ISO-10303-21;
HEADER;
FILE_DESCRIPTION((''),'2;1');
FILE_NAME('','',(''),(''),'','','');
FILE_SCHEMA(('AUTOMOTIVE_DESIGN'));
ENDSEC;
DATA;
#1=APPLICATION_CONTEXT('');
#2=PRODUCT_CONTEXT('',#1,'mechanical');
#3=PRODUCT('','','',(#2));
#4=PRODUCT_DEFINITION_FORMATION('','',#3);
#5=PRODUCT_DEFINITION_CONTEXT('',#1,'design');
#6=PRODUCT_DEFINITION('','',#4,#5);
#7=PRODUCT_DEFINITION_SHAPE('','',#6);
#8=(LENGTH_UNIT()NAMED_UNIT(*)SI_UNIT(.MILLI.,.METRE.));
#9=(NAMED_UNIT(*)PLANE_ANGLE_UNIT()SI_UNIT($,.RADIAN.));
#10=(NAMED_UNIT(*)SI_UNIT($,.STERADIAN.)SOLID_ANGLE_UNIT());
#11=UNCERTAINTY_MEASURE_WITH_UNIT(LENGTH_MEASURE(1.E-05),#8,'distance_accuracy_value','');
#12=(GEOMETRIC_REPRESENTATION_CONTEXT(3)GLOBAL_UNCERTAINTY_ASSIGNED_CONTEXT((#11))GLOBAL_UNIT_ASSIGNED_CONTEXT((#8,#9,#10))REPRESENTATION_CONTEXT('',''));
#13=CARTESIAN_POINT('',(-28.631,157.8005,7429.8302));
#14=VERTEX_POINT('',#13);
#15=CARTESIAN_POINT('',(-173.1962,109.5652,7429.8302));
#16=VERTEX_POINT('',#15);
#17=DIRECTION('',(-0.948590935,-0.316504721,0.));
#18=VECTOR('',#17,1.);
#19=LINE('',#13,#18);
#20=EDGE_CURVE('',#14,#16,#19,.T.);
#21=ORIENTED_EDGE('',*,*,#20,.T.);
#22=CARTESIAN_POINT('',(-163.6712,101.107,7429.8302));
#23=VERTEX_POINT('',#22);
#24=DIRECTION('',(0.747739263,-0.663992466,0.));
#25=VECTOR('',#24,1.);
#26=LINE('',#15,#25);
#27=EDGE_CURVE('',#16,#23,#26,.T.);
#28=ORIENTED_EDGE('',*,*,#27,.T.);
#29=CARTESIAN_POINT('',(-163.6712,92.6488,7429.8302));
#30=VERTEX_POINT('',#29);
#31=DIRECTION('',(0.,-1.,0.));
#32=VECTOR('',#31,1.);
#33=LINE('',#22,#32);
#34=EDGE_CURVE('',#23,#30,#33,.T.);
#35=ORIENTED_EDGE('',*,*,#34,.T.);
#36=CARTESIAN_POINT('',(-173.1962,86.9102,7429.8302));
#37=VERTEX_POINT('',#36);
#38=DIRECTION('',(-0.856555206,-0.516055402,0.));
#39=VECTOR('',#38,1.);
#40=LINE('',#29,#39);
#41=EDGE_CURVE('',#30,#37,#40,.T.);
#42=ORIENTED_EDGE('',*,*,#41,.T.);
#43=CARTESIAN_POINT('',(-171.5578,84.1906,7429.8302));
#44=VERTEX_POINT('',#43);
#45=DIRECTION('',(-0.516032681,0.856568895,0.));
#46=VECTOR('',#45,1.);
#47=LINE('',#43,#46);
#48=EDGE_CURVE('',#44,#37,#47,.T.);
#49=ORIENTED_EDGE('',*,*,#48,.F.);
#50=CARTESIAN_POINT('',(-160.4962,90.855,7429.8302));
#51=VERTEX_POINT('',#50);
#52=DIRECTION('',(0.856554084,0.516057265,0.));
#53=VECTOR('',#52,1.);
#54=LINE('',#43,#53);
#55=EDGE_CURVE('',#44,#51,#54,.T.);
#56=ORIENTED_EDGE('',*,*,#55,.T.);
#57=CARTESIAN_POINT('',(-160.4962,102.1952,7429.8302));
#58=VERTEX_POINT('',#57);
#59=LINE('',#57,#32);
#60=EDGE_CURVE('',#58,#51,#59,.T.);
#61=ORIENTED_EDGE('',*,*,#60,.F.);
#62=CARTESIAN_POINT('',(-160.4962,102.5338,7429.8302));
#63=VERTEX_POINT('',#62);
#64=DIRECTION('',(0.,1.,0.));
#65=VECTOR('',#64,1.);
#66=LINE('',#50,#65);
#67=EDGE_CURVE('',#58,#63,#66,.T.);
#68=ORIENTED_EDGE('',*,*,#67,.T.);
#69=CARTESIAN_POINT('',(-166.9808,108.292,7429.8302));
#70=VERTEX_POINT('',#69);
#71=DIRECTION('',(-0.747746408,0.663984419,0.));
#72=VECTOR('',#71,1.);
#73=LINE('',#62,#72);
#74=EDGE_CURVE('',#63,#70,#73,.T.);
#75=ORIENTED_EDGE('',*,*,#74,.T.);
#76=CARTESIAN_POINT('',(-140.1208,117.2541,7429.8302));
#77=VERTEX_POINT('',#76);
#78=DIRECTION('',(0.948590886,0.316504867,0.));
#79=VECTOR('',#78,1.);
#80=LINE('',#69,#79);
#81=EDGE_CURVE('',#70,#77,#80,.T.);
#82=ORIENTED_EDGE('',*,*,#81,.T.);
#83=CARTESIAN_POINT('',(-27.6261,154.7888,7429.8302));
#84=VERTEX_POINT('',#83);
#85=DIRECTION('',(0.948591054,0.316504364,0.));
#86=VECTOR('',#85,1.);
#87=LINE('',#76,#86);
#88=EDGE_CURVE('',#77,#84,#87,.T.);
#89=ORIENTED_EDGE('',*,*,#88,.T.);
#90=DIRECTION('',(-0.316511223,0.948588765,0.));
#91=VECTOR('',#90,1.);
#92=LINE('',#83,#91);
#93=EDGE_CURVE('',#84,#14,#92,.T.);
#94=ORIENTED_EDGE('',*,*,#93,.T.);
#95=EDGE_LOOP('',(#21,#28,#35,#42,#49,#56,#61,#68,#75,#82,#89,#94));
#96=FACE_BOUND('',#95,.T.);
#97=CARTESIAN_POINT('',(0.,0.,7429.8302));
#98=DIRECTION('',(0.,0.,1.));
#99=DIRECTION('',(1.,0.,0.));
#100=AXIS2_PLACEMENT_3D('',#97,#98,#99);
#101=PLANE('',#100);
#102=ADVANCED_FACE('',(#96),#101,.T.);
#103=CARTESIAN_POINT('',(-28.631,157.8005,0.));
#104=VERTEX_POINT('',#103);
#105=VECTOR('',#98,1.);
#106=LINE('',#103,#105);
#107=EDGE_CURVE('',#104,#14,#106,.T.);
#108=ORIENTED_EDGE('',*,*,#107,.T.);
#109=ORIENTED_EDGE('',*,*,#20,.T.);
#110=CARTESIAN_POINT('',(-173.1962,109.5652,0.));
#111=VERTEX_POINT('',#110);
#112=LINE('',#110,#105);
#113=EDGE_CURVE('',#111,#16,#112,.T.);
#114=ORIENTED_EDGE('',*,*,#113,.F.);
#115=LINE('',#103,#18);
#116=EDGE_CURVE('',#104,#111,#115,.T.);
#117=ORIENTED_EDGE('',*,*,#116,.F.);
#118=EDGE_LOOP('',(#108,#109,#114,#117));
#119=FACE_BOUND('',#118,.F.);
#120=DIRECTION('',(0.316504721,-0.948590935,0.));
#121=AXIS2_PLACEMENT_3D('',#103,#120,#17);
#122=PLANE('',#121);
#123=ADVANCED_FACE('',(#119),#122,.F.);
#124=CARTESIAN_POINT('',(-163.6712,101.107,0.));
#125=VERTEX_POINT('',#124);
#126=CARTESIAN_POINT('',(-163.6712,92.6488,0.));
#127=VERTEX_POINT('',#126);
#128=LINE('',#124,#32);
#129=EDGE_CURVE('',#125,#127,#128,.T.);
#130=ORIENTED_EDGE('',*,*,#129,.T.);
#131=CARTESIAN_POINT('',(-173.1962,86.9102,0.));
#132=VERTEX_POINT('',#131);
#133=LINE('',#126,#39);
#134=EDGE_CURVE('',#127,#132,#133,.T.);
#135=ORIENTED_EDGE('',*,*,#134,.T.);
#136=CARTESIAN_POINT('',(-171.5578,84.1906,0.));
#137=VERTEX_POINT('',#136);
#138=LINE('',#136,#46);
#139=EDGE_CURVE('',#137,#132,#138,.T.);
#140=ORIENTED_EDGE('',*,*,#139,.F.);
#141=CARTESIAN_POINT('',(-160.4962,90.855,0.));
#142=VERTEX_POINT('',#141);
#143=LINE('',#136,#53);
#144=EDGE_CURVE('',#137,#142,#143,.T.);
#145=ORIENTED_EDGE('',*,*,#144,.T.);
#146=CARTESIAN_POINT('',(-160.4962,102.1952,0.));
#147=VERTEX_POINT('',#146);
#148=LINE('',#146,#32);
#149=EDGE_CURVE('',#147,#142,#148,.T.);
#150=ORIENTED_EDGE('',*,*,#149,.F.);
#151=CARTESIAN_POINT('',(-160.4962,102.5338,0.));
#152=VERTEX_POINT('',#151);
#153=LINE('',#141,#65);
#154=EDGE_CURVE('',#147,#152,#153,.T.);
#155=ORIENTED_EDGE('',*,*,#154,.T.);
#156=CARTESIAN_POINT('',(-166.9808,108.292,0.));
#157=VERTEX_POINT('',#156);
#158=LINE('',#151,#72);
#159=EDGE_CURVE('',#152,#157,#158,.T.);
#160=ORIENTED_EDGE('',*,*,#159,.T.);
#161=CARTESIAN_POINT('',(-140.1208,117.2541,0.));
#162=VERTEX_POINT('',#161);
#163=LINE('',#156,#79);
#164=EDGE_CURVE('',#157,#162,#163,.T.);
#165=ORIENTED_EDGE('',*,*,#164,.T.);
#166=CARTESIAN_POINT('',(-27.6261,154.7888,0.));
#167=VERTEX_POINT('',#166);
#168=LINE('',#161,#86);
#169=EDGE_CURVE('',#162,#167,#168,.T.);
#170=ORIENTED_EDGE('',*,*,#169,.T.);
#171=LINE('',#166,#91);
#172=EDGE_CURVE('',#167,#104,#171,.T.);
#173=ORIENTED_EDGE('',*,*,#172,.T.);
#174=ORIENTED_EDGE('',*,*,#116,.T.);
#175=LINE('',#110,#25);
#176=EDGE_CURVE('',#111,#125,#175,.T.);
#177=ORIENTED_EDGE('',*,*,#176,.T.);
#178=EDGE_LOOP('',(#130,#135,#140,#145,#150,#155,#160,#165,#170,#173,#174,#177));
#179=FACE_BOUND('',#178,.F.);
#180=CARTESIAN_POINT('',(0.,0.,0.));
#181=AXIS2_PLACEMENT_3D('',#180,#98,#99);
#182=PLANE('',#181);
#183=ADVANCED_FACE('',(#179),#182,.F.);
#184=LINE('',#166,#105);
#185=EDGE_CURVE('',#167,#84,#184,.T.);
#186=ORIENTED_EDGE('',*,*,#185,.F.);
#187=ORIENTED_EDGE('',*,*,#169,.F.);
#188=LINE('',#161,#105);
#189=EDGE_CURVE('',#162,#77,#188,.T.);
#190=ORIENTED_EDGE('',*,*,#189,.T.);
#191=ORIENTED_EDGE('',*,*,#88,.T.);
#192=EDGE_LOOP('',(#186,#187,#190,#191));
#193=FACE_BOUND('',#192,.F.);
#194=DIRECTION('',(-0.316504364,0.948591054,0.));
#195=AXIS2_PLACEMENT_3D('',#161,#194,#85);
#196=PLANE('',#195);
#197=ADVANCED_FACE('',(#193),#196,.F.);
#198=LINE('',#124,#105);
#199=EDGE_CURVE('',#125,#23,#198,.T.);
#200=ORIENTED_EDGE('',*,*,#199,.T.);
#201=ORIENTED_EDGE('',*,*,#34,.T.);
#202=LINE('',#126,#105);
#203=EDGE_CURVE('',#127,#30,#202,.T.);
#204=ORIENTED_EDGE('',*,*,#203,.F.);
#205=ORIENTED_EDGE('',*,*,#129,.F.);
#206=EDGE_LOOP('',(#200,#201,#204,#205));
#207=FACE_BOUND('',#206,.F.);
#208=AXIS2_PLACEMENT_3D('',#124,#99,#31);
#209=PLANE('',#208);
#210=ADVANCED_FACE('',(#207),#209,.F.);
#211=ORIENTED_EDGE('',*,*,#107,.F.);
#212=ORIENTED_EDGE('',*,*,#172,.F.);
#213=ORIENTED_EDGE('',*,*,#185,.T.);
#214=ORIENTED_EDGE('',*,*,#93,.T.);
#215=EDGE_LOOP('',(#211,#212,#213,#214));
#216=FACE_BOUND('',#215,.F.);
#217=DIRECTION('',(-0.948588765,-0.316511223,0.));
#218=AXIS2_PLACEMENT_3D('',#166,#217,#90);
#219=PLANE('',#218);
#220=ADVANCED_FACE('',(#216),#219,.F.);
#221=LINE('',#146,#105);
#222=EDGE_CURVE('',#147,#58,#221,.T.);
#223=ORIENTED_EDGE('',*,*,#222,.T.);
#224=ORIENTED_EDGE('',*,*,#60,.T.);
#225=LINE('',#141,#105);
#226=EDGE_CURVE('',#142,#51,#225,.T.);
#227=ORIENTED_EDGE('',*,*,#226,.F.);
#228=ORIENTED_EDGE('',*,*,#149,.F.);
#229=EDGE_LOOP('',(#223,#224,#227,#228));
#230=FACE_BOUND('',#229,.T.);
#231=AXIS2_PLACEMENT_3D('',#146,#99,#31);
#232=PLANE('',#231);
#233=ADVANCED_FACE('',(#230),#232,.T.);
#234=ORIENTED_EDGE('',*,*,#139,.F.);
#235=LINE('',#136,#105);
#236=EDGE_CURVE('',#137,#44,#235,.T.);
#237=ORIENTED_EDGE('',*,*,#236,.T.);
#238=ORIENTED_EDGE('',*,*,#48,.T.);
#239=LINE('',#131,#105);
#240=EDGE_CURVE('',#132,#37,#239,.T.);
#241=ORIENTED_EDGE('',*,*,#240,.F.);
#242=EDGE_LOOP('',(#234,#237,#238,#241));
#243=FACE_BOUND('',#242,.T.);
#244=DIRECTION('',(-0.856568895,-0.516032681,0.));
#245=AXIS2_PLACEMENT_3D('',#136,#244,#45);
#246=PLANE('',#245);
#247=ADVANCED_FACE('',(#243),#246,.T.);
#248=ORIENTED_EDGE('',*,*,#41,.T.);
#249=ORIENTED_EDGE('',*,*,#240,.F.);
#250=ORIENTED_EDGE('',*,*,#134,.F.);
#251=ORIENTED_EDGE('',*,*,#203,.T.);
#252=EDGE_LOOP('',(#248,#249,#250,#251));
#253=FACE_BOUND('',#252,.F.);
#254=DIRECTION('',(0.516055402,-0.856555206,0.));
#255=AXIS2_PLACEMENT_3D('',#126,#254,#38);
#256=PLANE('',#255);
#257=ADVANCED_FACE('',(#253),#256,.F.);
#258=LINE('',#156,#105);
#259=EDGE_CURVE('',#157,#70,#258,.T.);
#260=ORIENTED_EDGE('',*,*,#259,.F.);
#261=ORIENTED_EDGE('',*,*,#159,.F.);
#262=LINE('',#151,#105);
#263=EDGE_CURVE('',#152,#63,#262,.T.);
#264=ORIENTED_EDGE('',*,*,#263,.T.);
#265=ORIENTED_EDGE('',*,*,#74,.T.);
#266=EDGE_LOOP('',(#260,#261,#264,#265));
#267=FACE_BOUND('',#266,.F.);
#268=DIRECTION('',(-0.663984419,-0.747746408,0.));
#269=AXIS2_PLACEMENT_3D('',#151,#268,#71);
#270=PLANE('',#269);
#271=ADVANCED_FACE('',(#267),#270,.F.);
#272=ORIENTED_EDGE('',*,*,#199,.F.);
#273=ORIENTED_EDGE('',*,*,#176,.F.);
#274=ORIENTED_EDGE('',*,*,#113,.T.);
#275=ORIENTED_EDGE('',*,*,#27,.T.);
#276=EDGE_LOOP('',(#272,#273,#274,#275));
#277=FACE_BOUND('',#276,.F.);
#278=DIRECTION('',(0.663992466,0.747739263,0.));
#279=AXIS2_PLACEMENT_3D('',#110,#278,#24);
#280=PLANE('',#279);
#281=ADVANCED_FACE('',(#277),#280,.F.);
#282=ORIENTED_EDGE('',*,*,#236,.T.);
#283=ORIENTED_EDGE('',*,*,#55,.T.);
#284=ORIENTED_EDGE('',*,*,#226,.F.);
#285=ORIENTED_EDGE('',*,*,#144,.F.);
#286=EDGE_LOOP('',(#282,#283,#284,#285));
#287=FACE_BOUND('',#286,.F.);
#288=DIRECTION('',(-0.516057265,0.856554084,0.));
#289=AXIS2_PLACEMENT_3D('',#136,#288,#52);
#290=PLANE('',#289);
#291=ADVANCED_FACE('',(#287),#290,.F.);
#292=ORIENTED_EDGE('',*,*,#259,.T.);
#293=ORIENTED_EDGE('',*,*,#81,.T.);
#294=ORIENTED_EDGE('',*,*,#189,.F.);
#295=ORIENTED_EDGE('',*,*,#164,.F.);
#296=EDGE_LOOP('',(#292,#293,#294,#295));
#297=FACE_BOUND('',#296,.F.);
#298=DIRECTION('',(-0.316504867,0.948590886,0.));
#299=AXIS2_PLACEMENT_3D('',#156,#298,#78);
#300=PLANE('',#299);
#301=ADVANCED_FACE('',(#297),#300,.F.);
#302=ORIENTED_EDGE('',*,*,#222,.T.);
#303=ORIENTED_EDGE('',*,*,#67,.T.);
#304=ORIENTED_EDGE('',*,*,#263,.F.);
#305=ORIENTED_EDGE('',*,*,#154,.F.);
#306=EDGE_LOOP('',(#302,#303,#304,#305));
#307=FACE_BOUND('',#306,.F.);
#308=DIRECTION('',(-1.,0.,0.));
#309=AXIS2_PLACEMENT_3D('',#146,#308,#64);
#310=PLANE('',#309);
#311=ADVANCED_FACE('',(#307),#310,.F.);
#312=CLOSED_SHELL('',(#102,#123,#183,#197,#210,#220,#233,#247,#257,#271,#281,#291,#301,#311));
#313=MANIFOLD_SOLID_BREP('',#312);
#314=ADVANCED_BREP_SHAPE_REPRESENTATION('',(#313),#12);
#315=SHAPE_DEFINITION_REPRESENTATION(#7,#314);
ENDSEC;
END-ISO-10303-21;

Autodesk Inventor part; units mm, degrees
ref_plane "YZ Plane" through (0, 0, 0) normal (1, 0, 0) x (0, 1, 0)
ref_plane "XZ Plane" through (0, 0, 0) normal (0, 1, 0) x (-1, 0, 0)
ref_plane "XY Plane" through (0, 0, 0) normal (0, 0, 1) x (1, 0, 0)
sketch "Sketch1" plane through (0, 0, 0) normal (0, 0, 1) x (1, 0, 0)
  line L0 (0, 0) -> (3294.2276, 1099.144)
  line L1 (3294.2276, 1246.4151) -> (-135.0962, 102.1952)
  line L2 (0, 0) -> (-135.0962, 0)
  line L3 (-135.0962, 0) -> (-135.0962, 102.1952)
  line L4 (-135.0962, 102.1952) -> (1627.6312, 690.3426)
  line L5 (3294.2276, 1099.144) -> (3263.9, 1099.144)
  line L6 (3294.2276, 1099.144) -> (3294.2276, 1246.4151)
  line L7 (-88.9, 0) -> (-88.9, 117.6089)
  line L8 (3263.9, 1089.025) -> (3263.9, 1236.2961)
  line L9 (-135.0962, 102.1952) -> (-160.4962, 102.1952)
  line L10 (-160.4962, 102.1952) -> (-160.4962, 0)
  line L11 (-160.4962, 0) -> (-135.0962, 0)
  line L12 (-135.0962, 102.1952) -> (-140.1208, 117.2541)
  line L13 (-140.1208, 117.2541) -> (150.6173, 214.261)
  line L14 (150.6173, 214.261) -> (155.6418, 199.2021)
  line L15 (-27.6261, 154.7888) -> (-28.631, 157.8005)
  line L16 (-28.631, 157.8005) -> (-173.1962, 109.5652)
  line L17 (-173.1962, 109.5652) -> (-163.6712, 101.107)
  line L18 (-163.6712, 101.107) -> (-163.6712, 92.6488)
  line L19 (-163.6712, 92.6488) -> (-173.1962, 86.9102)
  line L20 (-171.5578, 84.1906) -> (-160.4962, 90.855)
  line L21 (-160.4962, 90.855) -> (-160.4962, 102.5338)
  line L22 (-160.4962, 102.5338) -> (-166.9808, 108.292)
  line L23 (-166.9808, 108.292) -> (-27.6261, 154.7888)
  line L24 (-171.5578, 84.1906) -> (-173.1962, 86.9102)
  line L25 (-173.1962, 109.5652) -> (-173.1962, 86.9102)
  point P0 (-160.4962, 90.855)
  point P1 (-160.4962, 101.4128)
  dimension "d5" = 139.7
  dimension "d17" = 88.9
  dimension "d19" = 3352.8
  dimension "d23" = 30.3276
  dimension "d28" = 46.1962
  dimension "d33" = 1089.025
  dimension "d36" = 25.4
  dimension "d37" = 15.875
  dimension "d49" = 3.175
  dimension "d50" = 3.175
  dimension "d51" = 3.175
  dimension "d52" = 3.175
  dimension "d54" = 8.4582
  dimension "d55" = 8.4582
  dimension "d61" = 8.4582
  dimension "d62" = 152.4
extrude "Extrusion2" add sketch "Sketch1" along normal blind 7429.8302 contours L10 L20 L24 L19 L18 L17 L16 L15 L13 L23 L22 L21
properties part number "Drip_Edge_For_Back" material "Aluminum 6061"
